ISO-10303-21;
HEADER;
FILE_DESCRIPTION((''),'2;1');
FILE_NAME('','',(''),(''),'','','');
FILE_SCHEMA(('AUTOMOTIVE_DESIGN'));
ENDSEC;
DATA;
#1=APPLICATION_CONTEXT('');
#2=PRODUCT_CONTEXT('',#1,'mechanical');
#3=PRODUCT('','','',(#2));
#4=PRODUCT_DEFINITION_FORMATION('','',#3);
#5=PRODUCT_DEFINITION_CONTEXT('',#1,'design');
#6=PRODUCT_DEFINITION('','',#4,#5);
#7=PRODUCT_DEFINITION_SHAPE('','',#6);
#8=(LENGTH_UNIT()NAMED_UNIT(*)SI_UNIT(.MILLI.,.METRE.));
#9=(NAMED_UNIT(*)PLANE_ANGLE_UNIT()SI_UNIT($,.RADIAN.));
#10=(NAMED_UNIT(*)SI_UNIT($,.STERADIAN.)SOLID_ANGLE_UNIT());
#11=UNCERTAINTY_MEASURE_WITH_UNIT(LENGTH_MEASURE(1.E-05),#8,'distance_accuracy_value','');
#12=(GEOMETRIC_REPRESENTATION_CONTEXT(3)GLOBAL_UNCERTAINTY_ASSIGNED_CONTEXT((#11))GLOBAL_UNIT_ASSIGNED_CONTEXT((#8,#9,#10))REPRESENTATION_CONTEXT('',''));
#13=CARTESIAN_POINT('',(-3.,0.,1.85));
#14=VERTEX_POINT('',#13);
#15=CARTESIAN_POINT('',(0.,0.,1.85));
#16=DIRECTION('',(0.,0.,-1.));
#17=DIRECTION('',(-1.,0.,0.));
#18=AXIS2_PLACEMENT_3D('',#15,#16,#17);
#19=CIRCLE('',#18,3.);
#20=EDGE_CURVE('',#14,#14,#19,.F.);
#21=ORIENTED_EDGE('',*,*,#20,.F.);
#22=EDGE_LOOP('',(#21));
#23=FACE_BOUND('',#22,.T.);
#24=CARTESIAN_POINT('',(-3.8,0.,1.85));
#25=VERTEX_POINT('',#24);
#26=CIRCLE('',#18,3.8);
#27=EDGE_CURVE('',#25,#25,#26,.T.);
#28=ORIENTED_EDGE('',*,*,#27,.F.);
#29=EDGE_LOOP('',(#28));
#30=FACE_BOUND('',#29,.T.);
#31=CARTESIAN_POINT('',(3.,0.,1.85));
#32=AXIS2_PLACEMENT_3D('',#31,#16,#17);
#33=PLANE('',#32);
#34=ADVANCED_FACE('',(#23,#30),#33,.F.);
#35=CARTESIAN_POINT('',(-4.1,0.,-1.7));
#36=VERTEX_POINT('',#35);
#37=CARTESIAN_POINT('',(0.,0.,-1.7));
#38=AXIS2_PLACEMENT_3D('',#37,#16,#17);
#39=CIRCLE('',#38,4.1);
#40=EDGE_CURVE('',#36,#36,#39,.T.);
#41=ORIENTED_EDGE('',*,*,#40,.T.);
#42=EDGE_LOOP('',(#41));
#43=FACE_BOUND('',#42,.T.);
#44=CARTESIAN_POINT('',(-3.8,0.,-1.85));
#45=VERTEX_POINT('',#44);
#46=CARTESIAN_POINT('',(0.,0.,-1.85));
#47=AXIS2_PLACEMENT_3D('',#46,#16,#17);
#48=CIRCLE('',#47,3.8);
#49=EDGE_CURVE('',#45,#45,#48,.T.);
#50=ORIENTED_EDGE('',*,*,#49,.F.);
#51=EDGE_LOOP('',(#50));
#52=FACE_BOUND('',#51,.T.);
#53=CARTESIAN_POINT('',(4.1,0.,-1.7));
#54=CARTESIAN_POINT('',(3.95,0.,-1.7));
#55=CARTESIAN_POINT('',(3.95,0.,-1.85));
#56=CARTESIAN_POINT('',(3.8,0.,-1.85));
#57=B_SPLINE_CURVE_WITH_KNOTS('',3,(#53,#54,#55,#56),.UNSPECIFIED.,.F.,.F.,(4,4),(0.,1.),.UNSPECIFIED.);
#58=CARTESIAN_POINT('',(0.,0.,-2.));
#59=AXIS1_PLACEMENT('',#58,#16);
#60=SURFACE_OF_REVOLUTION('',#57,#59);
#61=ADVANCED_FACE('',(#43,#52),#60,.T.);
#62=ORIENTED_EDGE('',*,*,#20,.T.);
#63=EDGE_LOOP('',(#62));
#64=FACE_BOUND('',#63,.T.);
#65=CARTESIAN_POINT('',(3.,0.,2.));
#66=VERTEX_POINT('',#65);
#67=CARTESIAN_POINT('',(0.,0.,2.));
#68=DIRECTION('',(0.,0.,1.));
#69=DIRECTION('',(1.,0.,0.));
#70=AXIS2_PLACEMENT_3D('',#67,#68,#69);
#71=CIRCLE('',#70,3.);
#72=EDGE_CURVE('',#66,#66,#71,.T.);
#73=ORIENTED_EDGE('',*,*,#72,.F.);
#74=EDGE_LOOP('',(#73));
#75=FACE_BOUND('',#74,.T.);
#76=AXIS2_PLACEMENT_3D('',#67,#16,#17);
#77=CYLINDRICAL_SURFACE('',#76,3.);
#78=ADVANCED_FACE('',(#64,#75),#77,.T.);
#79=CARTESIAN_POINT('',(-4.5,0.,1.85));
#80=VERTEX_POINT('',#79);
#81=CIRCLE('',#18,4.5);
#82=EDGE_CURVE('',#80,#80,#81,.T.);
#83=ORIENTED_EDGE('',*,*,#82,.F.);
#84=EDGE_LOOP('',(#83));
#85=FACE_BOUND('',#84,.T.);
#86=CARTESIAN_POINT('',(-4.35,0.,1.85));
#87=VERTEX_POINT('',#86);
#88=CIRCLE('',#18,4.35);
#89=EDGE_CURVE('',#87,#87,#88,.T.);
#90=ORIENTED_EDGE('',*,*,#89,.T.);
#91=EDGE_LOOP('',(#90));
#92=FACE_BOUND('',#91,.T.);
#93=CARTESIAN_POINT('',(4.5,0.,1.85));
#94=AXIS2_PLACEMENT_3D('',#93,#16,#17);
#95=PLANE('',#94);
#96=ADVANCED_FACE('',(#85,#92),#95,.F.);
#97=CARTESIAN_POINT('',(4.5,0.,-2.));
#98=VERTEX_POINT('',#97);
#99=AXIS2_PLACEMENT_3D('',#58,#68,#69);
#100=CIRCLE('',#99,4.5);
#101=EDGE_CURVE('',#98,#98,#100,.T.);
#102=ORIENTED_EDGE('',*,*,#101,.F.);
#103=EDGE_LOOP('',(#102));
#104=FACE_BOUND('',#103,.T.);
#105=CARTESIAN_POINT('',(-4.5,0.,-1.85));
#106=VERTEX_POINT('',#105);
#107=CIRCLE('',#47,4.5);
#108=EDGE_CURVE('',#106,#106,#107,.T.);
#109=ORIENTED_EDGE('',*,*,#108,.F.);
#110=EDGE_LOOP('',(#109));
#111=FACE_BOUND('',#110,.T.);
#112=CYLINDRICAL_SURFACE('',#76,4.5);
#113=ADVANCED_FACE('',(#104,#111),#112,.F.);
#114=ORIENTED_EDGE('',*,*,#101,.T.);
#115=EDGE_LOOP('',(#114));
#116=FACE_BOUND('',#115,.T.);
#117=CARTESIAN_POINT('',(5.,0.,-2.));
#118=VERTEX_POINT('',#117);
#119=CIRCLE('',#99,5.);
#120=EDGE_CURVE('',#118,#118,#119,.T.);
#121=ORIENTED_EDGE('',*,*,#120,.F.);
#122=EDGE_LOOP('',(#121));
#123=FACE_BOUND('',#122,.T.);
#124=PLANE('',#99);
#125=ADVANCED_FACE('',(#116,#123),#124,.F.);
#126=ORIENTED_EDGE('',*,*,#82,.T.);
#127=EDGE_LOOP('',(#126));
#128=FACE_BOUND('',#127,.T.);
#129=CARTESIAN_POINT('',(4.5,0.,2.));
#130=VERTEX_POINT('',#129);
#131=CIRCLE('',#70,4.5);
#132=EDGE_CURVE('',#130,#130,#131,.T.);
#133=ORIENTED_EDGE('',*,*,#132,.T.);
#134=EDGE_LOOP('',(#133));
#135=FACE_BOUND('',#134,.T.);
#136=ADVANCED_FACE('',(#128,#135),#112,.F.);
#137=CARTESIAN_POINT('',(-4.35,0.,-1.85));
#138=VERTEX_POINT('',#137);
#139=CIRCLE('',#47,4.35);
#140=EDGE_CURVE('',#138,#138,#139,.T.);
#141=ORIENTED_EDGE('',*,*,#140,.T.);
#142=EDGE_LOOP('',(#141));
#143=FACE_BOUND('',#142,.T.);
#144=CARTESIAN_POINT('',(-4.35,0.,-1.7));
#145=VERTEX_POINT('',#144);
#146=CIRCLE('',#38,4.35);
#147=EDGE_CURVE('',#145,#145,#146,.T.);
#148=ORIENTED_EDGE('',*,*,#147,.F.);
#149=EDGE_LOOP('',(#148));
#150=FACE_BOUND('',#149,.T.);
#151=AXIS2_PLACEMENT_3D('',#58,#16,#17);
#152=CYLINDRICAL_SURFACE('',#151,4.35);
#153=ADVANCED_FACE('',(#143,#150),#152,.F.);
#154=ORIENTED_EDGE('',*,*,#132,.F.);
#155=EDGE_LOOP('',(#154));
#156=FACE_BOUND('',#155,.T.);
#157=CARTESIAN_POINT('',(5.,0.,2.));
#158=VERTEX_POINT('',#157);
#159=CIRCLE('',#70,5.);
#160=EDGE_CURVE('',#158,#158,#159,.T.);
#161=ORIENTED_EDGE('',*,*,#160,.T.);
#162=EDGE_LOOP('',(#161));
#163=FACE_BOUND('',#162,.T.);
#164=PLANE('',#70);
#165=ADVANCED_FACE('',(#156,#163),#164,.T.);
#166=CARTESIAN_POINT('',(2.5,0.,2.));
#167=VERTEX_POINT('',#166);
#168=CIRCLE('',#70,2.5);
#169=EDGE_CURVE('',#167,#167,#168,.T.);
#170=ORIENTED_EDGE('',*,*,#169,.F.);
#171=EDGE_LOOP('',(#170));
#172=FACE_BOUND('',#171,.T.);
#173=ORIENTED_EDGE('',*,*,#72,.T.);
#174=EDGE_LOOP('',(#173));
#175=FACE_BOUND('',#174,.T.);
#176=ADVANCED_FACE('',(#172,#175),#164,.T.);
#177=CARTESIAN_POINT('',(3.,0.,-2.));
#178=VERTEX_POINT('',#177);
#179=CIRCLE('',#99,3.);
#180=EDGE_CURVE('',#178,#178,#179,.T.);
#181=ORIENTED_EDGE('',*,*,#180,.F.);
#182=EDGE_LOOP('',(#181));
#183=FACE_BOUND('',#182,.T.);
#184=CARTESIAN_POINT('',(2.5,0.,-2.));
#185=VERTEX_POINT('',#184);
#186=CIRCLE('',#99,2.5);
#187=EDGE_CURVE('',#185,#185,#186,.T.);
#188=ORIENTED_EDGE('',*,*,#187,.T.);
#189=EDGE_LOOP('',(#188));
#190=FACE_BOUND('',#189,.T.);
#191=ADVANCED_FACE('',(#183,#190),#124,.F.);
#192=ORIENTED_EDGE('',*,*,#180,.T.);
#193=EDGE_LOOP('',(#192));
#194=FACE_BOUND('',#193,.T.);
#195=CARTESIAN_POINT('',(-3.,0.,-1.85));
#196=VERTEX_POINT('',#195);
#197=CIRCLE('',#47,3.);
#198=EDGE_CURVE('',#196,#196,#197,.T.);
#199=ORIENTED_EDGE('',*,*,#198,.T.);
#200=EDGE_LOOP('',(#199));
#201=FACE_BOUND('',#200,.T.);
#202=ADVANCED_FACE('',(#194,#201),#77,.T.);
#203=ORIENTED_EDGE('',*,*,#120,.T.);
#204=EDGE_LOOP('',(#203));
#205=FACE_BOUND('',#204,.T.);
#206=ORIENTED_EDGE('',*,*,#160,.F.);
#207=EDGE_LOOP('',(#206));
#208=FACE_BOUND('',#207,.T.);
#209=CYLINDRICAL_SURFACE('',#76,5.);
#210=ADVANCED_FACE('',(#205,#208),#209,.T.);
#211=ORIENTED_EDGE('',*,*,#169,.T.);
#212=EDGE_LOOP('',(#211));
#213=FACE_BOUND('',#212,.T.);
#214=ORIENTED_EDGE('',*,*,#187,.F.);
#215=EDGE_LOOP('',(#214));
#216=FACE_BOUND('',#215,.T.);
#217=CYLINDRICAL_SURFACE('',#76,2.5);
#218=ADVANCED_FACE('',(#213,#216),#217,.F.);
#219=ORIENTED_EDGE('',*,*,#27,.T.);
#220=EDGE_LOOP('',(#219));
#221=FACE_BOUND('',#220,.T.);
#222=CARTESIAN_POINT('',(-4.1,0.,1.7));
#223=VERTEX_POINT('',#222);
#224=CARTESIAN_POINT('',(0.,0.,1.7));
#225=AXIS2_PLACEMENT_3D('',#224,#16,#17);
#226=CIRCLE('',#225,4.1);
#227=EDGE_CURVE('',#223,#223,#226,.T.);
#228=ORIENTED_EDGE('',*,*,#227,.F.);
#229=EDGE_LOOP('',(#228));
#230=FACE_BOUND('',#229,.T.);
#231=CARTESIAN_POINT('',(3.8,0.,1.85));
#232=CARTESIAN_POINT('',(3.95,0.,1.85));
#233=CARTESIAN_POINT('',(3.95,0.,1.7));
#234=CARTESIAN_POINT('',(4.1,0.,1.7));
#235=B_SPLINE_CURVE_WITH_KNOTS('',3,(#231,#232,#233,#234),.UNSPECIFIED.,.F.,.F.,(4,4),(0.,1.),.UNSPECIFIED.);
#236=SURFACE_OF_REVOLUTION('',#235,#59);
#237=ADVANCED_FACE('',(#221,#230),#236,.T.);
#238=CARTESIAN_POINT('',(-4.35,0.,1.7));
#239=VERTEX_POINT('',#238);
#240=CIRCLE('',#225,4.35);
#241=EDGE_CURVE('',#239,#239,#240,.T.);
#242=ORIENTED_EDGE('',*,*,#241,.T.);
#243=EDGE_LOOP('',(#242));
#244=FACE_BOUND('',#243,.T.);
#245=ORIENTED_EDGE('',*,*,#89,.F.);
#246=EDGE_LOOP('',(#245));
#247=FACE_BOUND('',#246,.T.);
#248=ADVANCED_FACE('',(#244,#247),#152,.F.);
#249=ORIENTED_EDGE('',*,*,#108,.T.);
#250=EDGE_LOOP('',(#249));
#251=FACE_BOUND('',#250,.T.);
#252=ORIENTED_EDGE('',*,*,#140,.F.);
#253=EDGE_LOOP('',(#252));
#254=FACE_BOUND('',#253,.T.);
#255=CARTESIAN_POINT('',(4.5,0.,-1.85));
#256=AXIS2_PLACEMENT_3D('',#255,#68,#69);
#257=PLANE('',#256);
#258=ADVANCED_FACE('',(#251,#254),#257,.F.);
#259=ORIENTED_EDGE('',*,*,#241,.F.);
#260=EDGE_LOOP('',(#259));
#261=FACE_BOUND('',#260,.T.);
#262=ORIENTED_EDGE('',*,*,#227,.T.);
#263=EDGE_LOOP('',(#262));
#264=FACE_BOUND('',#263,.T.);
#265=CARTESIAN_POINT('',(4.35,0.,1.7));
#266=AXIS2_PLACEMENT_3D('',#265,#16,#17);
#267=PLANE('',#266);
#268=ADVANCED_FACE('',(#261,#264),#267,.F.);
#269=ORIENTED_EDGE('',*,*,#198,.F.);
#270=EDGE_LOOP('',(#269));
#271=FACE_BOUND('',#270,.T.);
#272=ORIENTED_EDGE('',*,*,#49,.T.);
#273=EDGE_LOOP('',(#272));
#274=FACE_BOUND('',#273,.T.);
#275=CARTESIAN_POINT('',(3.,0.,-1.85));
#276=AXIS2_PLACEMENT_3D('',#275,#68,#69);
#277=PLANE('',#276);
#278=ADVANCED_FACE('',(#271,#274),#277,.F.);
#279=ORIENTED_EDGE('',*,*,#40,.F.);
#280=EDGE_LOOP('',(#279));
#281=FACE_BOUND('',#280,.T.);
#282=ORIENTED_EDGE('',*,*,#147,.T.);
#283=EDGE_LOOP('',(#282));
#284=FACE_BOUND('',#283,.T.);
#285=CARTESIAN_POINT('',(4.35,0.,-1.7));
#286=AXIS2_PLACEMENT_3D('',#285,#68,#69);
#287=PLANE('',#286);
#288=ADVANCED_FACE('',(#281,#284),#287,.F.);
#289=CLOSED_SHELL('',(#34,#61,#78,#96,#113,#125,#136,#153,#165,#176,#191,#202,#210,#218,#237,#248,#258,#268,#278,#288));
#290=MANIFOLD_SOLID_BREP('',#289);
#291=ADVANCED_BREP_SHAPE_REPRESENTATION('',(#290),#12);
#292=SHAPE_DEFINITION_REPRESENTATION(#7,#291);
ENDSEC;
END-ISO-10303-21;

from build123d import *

# Parameters (mm, degrees)
SKETCH_1_R        = 5
SKETCH_1_R_2      = 4.5
EXTRUDE_1_DEPTH   = 2
SKETCH_1_R_3      = 3
SKETCH_1_R_4      = 2.5
EXTRUDE_1_2_DEPTH = 2


with BuildPart() as part:
    # Эскиз1 → Бобышка-Вытянуть1 (new, symmetric)
    with BuildSketch(Plane.XY):
        Circle(SKETCH_1_R)
        Circle(SKETCH_1_R_2, mode=Mode.SUBTRACT)
    extrude(amount=EXTRUDE_1_DEPTH, both=True)



with BuildPart() as body_2:
    # Эскиз1 → Extrude 1 2 (new, symmetric)
    with BuildSketch(Plane.XY):
        Circle(SKETCH_1_R_3)
        Circle(SKETCH_1_R_4, mode=Mode.SUBTRACT)
    extrude(amount=EXTRUDE_1_2_DEPTH, both=True)


with BuildPart() as part_1:
    add(part.part)

    add(body_2.part)  # Повернуть1 merges body 2
    # Эскиз3 → Повернуть1 (revolve)
    with BuildSketch(Plane(origin=(0, 0, 0), x_dir=(1, 0, 0), z_dir=(0, 1, 0)), mode=Mode.PRIVATE) as revolve_1_sk:
        with BuildLine():
            Line((4.35, -1.7), (4.1, -1.7))
            add(Edge.make_bspline(
                [(3.8, -1.85), (3.95, -1.85), (3.95, -1.7), (4.1, -1.7)],
                knots=[0, 0, 0, 0, 1, 1, 1, 1], degree=3))
            Line((3.8, -1.85), (3, -1.85))
            Line((3, -1.85), (3, 0))
            Line((3, 0), (3, 1.85))
            Line((3, 1.85), (3.8, 1.85))
            add(Edge.make_bspline(
                [(3.8, 1.85), (3.95, 1.85), (3.95, 1.7), (4.1, 1.7)],
                knots=[0, 0, 0, 0, 1, 1, 1, 1], degree=3))
            Line((4.1, 1.7), (4.35, 1.7))
            Line((4.35, 1.7), (4.35, 1.85))
            Line((4.35, 1.85), (4.5, 1.85))
            Line((4.5, 1.85), (4.5, 0))
            Line((4.5, 0), (4.5, -1.85))
            Line((4.5, -1.85), (4.35, -1.85))
            Line((4.35, -1.85), (4.35, -1.7))
        make_face()
    revolve(revolve_1_sk.sketch.rotate(Axis((0, 0, -2), (0, 0, 1)), 180), axis=Axis((0, 0, -2), (0, 0, 1)))


solid = part_1.part
